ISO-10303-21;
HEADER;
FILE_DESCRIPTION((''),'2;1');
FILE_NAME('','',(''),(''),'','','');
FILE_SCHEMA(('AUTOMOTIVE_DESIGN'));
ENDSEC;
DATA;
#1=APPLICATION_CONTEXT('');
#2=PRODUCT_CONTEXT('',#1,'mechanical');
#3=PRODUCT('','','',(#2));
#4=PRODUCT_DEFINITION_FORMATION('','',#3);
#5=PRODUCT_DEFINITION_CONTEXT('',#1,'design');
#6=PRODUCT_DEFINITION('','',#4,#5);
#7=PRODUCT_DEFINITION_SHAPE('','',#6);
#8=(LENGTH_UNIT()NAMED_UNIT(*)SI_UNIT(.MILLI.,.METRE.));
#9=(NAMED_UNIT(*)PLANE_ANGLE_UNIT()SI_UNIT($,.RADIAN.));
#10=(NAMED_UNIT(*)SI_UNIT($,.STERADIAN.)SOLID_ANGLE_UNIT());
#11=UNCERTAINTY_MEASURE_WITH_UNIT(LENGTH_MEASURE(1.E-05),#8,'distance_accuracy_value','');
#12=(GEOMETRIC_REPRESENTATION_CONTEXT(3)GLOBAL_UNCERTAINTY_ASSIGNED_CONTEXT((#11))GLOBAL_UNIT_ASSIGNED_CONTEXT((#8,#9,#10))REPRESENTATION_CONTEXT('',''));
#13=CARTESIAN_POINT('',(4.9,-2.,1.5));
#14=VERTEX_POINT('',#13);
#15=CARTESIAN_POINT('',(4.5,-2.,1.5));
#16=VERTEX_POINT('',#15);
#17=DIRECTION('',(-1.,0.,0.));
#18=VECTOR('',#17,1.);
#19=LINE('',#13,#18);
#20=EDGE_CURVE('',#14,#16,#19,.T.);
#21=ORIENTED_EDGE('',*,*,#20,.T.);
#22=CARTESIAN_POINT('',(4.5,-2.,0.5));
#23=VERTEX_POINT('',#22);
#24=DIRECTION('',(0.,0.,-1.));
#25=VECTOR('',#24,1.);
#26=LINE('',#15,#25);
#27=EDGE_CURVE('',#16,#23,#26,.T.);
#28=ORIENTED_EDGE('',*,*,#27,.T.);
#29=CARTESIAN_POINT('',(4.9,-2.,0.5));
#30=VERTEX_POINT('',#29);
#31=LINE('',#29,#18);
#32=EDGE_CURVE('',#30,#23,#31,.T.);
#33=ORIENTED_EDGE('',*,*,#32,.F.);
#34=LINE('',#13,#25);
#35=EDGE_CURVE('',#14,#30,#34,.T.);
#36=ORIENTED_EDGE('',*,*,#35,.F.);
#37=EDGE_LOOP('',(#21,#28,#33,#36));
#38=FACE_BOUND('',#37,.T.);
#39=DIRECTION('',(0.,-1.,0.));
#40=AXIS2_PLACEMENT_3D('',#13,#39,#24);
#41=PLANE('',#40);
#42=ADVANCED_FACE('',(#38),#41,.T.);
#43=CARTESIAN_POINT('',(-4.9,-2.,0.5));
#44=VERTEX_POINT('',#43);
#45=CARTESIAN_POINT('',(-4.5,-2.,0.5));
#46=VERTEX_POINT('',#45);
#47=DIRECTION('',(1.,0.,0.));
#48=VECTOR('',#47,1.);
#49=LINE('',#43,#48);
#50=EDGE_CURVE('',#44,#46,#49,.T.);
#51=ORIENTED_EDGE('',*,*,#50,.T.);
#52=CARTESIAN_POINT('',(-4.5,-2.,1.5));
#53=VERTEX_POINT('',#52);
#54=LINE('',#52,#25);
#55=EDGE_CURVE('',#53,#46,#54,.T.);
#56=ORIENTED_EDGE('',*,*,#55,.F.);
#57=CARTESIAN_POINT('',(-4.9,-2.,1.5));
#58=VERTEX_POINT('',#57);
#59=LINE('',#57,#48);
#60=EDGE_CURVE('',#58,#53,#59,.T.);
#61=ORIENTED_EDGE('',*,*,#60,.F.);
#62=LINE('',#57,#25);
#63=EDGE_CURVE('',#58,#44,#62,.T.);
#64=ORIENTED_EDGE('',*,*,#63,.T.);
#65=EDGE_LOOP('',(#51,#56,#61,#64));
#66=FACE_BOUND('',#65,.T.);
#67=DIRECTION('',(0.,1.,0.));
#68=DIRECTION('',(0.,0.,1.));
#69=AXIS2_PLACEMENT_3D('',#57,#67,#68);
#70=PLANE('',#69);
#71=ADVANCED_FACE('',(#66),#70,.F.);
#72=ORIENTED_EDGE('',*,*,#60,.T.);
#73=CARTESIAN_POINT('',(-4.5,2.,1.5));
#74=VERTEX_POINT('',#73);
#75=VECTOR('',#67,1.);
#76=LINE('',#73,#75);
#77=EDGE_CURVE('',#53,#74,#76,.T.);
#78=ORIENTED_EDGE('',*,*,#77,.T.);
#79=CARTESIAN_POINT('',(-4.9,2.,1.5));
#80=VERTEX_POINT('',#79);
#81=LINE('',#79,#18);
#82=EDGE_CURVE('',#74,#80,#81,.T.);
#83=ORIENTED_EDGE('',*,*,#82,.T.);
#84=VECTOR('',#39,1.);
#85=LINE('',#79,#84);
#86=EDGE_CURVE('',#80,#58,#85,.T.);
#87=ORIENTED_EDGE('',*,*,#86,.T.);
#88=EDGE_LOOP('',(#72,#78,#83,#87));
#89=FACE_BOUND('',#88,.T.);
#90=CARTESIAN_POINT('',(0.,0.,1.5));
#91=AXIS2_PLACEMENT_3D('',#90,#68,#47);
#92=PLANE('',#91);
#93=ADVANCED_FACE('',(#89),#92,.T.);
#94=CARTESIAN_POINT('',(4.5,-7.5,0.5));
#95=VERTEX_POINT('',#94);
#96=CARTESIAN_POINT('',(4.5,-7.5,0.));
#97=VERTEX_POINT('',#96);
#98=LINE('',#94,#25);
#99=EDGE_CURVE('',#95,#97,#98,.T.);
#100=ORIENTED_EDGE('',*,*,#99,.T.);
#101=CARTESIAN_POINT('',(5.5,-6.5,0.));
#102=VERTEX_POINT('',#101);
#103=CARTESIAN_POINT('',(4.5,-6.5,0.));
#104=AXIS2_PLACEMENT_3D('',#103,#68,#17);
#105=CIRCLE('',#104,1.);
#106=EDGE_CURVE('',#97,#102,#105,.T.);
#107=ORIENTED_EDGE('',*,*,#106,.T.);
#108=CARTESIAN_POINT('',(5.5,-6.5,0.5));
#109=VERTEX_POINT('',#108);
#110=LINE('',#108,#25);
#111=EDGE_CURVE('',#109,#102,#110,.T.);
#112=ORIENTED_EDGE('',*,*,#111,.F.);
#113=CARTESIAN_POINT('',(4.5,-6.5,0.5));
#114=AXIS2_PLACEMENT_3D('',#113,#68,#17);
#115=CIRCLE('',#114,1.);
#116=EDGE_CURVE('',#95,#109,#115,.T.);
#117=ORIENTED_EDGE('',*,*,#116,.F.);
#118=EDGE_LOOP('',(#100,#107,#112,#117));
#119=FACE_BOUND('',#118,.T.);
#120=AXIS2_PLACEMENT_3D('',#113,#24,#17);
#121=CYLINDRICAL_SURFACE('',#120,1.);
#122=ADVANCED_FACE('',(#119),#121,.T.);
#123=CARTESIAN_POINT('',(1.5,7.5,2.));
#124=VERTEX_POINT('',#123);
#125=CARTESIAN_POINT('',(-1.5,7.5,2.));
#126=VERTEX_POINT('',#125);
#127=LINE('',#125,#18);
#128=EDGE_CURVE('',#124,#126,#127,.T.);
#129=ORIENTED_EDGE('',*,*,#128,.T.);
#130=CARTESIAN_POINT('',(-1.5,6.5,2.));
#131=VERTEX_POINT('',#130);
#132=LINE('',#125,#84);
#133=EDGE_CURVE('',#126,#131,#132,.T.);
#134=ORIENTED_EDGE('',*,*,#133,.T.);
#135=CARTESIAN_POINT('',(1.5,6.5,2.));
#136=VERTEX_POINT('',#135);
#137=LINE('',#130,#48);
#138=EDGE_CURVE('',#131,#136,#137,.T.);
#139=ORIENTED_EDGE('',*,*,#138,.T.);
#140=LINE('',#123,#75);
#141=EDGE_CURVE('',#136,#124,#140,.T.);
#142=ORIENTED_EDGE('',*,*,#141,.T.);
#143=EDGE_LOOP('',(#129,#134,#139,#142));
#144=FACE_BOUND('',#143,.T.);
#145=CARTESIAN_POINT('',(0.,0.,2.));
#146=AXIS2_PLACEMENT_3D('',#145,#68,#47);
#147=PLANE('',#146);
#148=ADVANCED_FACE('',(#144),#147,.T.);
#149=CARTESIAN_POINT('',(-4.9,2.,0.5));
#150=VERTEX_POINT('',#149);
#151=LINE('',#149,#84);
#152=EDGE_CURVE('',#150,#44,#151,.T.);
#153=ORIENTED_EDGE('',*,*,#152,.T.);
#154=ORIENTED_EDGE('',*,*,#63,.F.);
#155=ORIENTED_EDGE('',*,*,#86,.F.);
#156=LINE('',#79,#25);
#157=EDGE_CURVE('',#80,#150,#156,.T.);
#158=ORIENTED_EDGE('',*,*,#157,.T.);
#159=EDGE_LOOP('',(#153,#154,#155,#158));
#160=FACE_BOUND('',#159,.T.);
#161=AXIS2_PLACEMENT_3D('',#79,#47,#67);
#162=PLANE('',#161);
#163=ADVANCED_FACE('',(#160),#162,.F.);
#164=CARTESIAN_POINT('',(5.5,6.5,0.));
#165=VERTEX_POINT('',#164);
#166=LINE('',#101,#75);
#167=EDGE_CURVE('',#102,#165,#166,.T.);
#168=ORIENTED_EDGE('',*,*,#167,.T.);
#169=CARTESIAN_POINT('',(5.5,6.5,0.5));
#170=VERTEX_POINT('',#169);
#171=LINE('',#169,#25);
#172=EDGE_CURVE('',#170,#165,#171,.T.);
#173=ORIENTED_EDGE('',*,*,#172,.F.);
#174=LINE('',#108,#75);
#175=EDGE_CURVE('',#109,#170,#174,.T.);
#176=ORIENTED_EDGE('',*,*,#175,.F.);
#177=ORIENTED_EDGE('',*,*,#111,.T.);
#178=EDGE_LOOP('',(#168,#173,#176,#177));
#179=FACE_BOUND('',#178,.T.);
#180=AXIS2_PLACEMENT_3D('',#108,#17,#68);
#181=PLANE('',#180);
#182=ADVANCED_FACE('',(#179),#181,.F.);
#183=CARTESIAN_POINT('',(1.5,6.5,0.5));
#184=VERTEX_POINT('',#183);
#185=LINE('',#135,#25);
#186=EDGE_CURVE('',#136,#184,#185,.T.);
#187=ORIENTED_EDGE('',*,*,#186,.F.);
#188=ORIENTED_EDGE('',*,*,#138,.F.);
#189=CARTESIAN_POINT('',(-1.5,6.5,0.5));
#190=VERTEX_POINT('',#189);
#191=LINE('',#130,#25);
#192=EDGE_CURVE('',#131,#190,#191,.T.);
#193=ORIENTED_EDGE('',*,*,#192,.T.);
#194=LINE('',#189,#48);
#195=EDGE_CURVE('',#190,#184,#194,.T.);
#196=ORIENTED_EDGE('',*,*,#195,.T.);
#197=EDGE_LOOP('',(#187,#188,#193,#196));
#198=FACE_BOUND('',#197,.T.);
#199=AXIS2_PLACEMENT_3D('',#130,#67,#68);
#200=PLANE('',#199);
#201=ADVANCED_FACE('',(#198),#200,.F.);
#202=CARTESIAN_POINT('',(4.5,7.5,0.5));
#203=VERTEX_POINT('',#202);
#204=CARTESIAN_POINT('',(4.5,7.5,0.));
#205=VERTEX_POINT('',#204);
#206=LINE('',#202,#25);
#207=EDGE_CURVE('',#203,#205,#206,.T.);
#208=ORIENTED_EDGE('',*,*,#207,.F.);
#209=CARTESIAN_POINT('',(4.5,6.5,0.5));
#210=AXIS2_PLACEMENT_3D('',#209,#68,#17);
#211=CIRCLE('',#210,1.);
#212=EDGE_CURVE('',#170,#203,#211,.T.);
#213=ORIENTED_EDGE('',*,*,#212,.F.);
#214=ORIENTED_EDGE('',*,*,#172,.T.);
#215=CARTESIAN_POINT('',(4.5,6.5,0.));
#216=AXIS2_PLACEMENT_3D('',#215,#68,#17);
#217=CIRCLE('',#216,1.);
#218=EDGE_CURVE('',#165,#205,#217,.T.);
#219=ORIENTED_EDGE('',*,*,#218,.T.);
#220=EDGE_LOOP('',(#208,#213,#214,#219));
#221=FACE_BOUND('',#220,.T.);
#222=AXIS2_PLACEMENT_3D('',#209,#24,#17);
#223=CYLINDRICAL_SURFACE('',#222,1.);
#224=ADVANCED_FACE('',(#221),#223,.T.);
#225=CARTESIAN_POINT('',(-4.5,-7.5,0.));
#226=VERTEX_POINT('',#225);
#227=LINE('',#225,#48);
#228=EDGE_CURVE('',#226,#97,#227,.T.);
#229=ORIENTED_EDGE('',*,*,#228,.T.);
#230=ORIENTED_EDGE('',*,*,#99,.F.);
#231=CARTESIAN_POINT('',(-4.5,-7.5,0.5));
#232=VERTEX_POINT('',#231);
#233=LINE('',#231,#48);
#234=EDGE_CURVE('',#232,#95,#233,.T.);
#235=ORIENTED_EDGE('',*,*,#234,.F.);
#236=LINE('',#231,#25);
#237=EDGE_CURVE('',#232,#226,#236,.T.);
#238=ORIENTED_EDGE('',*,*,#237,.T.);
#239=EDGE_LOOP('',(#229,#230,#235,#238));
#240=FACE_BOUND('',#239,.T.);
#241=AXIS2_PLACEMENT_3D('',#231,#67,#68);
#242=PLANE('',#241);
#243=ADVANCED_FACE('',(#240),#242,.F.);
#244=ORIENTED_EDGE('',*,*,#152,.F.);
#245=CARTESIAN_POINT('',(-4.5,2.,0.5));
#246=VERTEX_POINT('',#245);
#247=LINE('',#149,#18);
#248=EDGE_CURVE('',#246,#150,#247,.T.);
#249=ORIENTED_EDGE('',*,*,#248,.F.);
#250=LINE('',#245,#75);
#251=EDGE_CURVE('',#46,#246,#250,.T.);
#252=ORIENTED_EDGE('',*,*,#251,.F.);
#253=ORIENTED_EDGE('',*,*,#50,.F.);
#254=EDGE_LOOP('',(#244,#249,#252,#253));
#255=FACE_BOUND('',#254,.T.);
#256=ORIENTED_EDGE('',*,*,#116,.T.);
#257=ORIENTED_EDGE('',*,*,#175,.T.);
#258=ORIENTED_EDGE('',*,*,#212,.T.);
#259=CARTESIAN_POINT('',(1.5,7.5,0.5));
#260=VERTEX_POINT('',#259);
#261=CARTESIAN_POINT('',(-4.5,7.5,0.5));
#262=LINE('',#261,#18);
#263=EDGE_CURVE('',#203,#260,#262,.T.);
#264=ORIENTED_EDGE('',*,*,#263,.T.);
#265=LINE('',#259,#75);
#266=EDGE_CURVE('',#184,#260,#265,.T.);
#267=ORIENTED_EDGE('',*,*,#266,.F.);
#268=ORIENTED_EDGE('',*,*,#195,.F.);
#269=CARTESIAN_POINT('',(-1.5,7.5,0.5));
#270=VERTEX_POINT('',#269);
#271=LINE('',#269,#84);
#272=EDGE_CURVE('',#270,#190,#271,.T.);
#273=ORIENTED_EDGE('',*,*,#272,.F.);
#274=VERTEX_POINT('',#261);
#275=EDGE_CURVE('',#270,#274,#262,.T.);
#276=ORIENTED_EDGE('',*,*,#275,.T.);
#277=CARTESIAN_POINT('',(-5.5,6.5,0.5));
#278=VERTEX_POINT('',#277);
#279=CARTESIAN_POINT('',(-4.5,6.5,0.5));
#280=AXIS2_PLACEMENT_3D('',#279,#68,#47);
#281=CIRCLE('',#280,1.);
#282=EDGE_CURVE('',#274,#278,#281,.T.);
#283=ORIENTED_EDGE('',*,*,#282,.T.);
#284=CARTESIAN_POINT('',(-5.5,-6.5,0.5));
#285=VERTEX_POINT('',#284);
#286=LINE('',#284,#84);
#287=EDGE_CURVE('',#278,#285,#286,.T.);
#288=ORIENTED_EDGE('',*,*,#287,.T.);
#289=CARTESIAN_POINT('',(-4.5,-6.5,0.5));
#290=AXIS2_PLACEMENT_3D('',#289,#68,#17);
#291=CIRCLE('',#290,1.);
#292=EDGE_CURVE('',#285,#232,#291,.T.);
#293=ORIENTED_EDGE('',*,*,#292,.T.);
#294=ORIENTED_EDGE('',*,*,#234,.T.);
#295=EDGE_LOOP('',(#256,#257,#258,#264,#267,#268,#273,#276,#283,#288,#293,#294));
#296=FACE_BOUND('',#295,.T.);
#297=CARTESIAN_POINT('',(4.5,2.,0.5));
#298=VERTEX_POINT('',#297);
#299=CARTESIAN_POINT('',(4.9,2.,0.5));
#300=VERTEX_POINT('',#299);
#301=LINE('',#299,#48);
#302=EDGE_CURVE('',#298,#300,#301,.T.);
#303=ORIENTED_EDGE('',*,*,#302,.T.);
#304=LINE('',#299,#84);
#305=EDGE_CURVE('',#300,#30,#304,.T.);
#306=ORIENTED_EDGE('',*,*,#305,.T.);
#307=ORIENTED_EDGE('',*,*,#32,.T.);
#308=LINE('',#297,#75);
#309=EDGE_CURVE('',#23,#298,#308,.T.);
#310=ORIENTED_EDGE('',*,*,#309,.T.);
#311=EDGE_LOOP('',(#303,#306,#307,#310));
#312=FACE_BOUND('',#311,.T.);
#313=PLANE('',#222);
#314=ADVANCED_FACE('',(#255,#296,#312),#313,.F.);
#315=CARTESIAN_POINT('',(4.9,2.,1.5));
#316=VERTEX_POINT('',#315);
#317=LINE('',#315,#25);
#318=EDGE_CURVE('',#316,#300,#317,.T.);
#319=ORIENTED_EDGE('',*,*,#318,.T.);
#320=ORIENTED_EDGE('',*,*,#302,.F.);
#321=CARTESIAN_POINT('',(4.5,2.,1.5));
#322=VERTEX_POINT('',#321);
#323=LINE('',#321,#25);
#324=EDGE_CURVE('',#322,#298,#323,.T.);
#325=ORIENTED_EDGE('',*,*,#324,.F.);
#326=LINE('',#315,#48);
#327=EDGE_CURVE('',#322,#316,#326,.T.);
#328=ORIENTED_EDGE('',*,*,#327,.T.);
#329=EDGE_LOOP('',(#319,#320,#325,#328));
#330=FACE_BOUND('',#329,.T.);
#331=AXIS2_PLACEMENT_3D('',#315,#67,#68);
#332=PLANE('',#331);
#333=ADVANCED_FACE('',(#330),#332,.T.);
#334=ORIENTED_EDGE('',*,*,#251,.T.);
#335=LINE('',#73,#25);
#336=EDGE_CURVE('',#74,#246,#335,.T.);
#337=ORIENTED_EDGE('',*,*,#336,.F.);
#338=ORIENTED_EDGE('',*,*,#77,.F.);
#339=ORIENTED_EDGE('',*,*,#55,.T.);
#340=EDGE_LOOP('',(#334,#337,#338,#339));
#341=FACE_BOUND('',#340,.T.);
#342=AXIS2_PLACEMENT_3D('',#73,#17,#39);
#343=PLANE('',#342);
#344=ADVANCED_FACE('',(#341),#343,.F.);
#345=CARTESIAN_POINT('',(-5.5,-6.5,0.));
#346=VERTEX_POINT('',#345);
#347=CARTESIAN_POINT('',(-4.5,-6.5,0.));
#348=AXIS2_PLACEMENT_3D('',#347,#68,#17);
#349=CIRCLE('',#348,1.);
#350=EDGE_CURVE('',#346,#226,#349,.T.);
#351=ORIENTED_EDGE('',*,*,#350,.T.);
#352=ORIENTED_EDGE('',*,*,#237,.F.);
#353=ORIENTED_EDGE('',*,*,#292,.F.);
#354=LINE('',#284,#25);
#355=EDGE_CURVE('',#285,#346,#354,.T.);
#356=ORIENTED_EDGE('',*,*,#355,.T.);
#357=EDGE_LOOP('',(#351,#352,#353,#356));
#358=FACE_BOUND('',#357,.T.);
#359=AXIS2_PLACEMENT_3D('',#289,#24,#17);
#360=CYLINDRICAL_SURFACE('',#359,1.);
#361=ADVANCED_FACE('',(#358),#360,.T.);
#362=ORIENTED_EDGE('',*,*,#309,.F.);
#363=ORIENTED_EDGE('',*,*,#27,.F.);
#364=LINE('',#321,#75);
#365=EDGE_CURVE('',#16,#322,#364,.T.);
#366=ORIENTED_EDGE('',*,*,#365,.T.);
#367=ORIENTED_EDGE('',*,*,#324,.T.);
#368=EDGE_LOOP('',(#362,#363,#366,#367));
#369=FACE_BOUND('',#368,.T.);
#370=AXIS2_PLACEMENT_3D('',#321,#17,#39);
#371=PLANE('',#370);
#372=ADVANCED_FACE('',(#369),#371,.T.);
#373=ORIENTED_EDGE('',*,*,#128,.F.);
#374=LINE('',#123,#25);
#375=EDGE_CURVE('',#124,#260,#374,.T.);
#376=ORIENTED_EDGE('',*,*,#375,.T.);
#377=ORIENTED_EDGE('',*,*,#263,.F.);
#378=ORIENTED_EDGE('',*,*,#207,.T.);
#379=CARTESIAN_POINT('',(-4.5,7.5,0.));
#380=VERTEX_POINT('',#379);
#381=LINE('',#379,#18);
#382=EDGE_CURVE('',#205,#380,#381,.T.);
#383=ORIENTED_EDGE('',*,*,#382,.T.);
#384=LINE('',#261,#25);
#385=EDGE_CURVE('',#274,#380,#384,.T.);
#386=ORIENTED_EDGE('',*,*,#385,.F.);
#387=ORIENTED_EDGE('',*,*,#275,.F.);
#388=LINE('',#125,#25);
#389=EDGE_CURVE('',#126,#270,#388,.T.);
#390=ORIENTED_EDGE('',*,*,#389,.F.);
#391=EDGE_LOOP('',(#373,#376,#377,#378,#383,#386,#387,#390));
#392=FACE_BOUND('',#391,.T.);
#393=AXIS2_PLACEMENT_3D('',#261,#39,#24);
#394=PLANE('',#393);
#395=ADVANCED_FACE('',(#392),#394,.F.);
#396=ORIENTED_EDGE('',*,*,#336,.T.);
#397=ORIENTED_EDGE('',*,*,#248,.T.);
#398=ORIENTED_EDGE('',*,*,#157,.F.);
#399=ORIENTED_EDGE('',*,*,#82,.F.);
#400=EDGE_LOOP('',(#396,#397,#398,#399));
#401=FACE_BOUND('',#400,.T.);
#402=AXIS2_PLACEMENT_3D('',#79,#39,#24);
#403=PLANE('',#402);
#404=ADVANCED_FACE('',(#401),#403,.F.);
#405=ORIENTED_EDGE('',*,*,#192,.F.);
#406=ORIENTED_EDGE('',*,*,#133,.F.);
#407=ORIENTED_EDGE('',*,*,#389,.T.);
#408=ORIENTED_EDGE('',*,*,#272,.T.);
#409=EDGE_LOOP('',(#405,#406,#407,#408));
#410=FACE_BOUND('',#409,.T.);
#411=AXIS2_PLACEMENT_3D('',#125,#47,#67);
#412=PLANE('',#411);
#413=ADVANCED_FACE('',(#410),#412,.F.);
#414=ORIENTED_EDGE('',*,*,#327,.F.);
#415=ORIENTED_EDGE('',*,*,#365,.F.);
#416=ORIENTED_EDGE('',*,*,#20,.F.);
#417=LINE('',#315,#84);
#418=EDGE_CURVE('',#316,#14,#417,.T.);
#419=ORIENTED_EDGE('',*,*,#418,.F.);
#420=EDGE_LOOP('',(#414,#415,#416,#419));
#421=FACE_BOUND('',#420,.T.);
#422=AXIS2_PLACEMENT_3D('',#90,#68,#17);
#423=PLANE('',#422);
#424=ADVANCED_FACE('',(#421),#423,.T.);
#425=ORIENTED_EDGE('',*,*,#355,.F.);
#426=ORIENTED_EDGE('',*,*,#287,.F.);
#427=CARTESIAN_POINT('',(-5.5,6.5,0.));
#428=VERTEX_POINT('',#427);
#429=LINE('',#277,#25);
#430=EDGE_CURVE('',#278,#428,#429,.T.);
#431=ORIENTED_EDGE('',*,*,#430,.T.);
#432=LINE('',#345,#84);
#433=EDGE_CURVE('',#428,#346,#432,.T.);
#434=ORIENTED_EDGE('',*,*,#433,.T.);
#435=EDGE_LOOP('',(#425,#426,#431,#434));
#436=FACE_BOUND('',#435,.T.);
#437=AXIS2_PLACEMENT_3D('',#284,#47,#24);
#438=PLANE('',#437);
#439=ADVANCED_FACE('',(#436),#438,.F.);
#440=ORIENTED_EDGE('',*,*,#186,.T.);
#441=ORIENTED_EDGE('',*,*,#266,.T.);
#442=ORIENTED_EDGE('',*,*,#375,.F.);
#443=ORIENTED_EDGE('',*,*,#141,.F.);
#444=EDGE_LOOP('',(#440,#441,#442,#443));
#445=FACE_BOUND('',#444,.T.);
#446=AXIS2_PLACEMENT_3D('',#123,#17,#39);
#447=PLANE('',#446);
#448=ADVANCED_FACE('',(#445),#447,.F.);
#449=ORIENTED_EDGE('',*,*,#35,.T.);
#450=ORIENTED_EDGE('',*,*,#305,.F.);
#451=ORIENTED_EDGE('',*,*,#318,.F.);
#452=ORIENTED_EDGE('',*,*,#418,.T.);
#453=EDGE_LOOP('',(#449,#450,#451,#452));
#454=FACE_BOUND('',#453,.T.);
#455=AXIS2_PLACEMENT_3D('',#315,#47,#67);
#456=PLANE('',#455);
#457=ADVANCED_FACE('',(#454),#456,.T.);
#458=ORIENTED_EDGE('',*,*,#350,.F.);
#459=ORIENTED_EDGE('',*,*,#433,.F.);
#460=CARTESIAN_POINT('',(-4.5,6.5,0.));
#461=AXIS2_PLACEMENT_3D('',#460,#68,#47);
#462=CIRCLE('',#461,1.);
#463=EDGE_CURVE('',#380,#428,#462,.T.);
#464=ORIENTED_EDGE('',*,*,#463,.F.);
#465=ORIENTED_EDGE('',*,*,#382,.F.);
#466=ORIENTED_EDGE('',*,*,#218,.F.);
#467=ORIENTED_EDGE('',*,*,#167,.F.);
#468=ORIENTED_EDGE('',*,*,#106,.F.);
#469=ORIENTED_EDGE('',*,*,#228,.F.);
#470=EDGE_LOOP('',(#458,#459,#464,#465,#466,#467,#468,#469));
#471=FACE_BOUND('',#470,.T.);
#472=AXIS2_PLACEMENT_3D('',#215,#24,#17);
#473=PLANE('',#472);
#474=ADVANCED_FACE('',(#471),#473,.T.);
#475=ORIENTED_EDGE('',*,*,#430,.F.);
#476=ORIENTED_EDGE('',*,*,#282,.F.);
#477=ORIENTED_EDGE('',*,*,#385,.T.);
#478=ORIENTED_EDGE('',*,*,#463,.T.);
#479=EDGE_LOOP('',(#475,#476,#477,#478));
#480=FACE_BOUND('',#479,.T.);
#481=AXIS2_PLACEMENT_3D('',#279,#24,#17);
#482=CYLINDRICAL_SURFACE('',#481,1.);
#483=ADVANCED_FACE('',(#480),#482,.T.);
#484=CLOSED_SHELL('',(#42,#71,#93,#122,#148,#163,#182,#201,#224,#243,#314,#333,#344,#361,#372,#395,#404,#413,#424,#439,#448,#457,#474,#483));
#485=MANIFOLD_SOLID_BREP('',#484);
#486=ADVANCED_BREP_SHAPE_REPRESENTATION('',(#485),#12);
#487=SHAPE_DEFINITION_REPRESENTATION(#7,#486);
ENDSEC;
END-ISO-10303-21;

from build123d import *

# Parameters (mm, degrees)
BOSS_EXTRUDE1_DEPTH = 0.5
SKETCH2_W           = 3
SKETCH2_H           = 1
BOSS_EXTRUDE2_DEPTH = 1.5
SKETCH3_W           = 0.4
SKETCH3_H           = 4
BOSS_EXTRUDE3_DEPTH = 1


with BuildPart() as part:
    # Sketch1 → Boss-Extrude1 (new body)
    with BuildSketch(Plane.XY):
        with BuildLine():
            Line((-4.5, -7.5), (4.5, -7.5))
            ThreePointArc((4.5, -7.5), (5.207106781, -7.207106781), (5.5, -6.5))
            Line((5.5, -6.5), (5.5, 6.5))
            ThreePointArc((5.5, 6.5), (5.207106781, 7.207106781), (4.5, 7.5))
            Line((4.5, 7.5), (-4.5, 7.5))
            ThreePointArc((-4.5, 7.5), (-5.207106781, 7.207106781), (-5.5, 6.5))
            Line((-5.5, 6.5), (-5.5, -6.5))
            ThreePointArc((-5.5, -6.5), (-5.207106781, -7.207106781), (-4.5, -7.5))
        make_face()
    extrude(amount=BOSS_EXTRUDE1_DEPTH)

    # Sketch2 → Boss-Extrude2 (add)
    with BuildSketch(Plane.XY.offset(0.5)):
        with Locations((0, 7)):
            Rectangle(SKETCH2_W, SKETCH2_H)
    extrude(amount=BOSS_EXTRUDE2_DEPTH)

    # Sketch3 → Boss-Extrude3 (add)
    with BuildSketch(Plane.XY.offset(0.5)):
        with Locations((-4.7, 0)):
            Rectangle(SKETCH3_W, SKETCH3_H)
    boss_extrude3 = extrude(amount=BOSS_EXTRUDE3_DEPTH)

    # Mirror2: Boss-Extrude3 across plane
    add(boss_extrude3.mirror(Plane(origin=(0, 0, 0), x_dir=(0, 0, 1), z_dir=(1, 0, 0))))


solid = part.part
